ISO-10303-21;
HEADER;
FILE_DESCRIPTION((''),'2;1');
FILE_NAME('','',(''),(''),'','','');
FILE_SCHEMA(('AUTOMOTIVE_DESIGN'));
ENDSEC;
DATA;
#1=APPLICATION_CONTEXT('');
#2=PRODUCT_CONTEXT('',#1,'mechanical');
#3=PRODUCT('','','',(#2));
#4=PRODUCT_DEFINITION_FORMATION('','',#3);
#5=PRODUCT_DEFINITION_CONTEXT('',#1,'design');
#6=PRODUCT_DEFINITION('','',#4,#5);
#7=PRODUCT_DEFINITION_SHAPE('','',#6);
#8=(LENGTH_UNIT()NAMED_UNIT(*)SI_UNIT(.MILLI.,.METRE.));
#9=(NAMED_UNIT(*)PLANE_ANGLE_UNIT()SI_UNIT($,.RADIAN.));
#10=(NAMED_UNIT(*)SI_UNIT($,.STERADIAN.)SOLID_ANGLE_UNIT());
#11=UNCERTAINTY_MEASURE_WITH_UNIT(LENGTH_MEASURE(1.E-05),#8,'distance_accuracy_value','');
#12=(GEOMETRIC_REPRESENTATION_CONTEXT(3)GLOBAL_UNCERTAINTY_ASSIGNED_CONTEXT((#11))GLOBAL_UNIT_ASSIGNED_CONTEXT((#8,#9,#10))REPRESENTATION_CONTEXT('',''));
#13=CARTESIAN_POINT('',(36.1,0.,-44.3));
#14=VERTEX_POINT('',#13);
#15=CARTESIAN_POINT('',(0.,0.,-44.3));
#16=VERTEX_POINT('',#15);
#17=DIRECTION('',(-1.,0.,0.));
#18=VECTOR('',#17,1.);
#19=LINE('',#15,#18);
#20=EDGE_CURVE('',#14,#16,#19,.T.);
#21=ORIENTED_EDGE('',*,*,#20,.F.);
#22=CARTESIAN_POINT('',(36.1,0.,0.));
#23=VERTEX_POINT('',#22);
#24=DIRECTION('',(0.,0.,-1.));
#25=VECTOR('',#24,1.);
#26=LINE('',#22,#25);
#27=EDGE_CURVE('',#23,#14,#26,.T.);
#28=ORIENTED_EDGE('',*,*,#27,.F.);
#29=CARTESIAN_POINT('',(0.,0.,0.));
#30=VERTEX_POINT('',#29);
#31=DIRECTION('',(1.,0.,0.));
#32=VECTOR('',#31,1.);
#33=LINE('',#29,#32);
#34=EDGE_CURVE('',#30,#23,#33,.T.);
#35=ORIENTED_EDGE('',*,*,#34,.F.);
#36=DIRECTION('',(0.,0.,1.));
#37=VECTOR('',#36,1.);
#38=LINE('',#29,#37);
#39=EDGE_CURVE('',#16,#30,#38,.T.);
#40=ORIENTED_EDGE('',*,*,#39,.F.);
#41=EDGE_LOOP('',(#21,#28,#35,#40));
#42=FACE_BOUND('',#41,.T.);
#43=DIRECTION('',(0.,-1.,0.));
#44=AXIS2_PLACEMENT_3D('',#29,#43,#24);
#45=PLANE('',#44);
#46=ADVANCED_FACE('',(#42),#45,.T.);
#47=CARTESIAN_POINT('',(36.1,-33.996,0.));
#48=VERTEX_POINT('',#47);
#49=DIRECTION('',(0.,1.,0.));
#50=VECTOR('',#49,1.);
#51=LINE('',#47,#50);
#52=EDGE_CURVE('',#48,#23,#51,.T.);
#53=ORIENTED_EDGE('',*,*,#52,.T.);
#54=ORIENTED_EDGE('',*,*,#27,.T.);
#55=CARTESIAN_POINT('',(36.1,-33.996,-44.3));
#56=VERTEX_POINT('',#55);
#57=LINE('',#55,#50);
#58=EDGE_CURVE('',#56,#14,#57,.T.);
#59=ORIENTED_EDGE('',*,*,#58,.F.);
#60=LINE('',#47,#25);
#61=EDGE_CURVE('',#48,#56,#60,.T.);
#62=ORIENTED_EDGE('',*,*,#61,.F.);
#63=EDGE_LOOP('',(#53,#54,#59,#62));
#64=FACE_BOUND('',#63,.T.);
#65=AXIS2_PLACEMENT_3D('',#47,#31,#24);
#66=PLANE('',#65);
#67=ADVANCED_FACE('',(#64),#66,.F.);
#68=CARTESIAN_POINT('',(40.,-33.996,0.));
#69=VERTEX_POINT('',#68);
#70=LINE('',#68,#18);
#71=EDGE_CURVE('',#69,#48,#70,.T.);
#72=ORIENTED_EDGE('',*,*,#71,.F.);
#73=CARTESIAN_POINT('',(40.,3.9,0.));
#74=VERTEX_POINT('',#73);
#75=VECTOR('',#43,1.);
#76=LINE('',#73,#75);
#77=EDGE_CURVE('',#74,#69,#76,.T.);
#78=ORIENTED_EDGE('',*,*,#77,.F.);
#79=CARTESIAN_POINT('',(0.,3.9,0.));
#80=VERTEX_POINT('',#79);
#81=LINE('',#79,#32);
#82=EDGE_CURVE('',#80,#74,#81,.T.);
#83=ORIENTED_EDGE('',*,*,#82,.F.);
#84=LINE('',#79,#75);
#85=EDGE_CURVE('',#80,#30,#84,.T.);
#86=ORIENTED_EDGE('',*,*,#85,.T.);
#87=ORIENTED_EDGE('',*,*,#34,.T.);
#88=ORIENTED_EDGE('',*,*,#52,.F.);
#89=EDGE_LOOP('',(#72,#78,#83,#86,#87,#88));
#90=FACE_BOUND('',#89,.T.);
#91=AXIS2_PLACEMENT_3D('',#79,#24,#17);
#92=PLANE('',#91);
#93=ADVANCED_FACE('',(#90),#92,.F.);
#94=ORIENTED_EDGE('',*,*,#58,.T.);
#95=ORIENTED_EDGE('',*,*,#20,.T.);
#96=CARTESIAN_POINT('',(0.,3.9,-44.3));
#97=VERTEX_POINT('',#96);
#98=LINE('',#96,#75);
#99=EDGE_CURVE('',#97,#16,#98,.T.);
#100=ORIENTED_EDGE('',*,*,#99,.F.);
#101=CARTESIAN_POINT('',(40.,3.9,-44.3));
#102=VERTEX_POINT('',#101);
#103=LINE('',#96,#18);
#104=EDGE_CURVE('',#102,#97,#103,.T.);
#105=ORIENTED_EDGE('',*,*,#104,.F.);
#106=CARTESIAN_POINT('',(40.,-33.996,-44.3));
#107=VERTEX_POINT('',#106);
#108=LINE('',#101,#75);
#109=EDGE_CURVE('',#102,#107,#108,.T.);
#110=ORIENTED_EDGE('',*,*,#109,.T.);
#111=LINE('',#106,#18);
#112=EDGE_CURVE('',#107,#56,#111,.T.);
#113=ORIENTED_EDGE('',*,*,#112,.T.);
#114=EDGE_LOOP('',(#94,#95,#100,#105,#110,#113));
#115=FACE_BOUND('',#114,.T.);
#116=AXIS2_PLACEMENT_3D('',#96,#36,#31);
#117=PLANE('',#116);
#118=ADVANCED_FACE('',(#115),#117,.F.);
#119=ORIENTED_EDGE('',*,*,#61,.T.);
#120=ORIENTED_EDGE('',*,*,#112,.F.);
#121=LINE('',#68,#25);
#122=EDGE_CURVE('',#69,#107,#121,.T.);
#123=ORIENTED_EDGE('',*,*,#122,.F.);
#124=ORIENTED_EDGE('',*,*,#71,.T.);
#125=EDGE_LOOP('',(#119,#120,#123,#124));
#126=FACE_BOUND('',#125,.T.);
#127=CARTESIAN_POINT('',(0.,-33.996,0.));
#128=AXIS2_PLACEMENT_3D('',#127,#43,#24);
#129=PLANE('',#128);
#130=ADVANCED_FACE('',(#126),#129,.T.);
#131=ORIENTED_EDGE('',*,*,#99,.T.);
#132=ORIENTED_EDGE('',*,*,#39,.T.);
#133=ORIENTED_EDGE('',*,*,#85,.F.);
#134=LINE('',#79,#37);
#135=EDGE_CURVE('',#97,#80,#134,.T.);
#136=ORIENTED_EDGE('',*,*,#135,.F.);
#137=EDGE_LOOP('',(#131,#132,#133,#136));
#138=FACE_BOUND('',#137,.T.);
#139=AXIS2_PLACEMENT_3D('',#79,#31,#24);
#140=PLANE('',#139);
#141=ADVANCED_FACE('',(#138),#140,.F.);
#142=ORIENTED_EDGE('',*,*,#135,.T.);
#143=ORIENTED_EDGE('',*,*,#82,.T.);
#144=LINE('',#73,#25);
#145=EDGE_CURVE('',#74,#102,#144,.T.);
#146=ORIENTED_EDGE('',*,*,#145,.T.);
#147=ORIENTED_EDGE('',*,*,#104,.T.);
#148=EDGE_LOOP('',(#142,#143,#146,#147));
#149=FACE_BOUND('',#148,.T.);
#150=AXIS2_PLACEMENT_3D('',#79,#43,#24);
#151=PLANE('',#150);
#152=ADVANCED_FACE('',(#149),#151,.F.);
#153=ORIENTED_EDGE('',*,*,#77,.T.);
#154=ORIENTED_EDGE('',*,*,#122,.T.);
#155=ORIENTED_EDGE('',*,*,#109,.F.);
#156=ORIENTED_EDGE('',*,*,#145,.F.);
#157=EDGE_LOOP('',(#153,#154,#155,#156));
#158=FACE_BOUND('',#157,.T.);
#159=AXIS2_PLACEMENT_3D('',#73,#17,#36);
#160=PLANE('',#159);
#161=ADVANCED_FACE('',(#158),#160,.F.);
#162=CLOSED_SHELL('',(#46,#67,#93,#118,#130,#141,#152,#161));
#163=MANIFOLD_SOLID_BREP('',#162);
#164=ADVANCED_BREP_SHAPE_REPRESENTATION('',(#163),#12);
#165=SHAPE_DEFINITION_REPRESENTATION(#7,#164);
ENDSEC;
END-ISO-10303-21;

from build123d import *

# Parameters (mm, degrees)
SKETCH1_W           = 40
SKETCH1_H           = 44.3
BOSS_EXTRUDE1_DEPTH = 3.9
SKETCH2_W           = 3.9
SKETCH2_H           = 44.3
BOSS_EXTRUDE2_DEPTH = 33.996


with BuildPart() as part:
    # Sketch1 → Boss-Extrude1 (new body)
    with BuildSketch(Plane(origin=(0, 0, 0), x_dir=(1, 0, 0), z_dir=(0, 1, 0))):
        with Locations((20, 22.15)):
            Rectangle(SKETCH1_W, SKETCH1_H)
    extrude(amount=BOSS_EXTRUDE1_DEPTH)

    # Sketch2 → Boss-Extrude2 (add)
    with BuildSketch(Plane.XZ):
        with Locations((38.05, -22.15)):
            Rectangle(SKETCH2_W, SKETCH2_H)
    extrude(amount=BOSS_EXTRUDE2_DEPTH)


solid = part.part
